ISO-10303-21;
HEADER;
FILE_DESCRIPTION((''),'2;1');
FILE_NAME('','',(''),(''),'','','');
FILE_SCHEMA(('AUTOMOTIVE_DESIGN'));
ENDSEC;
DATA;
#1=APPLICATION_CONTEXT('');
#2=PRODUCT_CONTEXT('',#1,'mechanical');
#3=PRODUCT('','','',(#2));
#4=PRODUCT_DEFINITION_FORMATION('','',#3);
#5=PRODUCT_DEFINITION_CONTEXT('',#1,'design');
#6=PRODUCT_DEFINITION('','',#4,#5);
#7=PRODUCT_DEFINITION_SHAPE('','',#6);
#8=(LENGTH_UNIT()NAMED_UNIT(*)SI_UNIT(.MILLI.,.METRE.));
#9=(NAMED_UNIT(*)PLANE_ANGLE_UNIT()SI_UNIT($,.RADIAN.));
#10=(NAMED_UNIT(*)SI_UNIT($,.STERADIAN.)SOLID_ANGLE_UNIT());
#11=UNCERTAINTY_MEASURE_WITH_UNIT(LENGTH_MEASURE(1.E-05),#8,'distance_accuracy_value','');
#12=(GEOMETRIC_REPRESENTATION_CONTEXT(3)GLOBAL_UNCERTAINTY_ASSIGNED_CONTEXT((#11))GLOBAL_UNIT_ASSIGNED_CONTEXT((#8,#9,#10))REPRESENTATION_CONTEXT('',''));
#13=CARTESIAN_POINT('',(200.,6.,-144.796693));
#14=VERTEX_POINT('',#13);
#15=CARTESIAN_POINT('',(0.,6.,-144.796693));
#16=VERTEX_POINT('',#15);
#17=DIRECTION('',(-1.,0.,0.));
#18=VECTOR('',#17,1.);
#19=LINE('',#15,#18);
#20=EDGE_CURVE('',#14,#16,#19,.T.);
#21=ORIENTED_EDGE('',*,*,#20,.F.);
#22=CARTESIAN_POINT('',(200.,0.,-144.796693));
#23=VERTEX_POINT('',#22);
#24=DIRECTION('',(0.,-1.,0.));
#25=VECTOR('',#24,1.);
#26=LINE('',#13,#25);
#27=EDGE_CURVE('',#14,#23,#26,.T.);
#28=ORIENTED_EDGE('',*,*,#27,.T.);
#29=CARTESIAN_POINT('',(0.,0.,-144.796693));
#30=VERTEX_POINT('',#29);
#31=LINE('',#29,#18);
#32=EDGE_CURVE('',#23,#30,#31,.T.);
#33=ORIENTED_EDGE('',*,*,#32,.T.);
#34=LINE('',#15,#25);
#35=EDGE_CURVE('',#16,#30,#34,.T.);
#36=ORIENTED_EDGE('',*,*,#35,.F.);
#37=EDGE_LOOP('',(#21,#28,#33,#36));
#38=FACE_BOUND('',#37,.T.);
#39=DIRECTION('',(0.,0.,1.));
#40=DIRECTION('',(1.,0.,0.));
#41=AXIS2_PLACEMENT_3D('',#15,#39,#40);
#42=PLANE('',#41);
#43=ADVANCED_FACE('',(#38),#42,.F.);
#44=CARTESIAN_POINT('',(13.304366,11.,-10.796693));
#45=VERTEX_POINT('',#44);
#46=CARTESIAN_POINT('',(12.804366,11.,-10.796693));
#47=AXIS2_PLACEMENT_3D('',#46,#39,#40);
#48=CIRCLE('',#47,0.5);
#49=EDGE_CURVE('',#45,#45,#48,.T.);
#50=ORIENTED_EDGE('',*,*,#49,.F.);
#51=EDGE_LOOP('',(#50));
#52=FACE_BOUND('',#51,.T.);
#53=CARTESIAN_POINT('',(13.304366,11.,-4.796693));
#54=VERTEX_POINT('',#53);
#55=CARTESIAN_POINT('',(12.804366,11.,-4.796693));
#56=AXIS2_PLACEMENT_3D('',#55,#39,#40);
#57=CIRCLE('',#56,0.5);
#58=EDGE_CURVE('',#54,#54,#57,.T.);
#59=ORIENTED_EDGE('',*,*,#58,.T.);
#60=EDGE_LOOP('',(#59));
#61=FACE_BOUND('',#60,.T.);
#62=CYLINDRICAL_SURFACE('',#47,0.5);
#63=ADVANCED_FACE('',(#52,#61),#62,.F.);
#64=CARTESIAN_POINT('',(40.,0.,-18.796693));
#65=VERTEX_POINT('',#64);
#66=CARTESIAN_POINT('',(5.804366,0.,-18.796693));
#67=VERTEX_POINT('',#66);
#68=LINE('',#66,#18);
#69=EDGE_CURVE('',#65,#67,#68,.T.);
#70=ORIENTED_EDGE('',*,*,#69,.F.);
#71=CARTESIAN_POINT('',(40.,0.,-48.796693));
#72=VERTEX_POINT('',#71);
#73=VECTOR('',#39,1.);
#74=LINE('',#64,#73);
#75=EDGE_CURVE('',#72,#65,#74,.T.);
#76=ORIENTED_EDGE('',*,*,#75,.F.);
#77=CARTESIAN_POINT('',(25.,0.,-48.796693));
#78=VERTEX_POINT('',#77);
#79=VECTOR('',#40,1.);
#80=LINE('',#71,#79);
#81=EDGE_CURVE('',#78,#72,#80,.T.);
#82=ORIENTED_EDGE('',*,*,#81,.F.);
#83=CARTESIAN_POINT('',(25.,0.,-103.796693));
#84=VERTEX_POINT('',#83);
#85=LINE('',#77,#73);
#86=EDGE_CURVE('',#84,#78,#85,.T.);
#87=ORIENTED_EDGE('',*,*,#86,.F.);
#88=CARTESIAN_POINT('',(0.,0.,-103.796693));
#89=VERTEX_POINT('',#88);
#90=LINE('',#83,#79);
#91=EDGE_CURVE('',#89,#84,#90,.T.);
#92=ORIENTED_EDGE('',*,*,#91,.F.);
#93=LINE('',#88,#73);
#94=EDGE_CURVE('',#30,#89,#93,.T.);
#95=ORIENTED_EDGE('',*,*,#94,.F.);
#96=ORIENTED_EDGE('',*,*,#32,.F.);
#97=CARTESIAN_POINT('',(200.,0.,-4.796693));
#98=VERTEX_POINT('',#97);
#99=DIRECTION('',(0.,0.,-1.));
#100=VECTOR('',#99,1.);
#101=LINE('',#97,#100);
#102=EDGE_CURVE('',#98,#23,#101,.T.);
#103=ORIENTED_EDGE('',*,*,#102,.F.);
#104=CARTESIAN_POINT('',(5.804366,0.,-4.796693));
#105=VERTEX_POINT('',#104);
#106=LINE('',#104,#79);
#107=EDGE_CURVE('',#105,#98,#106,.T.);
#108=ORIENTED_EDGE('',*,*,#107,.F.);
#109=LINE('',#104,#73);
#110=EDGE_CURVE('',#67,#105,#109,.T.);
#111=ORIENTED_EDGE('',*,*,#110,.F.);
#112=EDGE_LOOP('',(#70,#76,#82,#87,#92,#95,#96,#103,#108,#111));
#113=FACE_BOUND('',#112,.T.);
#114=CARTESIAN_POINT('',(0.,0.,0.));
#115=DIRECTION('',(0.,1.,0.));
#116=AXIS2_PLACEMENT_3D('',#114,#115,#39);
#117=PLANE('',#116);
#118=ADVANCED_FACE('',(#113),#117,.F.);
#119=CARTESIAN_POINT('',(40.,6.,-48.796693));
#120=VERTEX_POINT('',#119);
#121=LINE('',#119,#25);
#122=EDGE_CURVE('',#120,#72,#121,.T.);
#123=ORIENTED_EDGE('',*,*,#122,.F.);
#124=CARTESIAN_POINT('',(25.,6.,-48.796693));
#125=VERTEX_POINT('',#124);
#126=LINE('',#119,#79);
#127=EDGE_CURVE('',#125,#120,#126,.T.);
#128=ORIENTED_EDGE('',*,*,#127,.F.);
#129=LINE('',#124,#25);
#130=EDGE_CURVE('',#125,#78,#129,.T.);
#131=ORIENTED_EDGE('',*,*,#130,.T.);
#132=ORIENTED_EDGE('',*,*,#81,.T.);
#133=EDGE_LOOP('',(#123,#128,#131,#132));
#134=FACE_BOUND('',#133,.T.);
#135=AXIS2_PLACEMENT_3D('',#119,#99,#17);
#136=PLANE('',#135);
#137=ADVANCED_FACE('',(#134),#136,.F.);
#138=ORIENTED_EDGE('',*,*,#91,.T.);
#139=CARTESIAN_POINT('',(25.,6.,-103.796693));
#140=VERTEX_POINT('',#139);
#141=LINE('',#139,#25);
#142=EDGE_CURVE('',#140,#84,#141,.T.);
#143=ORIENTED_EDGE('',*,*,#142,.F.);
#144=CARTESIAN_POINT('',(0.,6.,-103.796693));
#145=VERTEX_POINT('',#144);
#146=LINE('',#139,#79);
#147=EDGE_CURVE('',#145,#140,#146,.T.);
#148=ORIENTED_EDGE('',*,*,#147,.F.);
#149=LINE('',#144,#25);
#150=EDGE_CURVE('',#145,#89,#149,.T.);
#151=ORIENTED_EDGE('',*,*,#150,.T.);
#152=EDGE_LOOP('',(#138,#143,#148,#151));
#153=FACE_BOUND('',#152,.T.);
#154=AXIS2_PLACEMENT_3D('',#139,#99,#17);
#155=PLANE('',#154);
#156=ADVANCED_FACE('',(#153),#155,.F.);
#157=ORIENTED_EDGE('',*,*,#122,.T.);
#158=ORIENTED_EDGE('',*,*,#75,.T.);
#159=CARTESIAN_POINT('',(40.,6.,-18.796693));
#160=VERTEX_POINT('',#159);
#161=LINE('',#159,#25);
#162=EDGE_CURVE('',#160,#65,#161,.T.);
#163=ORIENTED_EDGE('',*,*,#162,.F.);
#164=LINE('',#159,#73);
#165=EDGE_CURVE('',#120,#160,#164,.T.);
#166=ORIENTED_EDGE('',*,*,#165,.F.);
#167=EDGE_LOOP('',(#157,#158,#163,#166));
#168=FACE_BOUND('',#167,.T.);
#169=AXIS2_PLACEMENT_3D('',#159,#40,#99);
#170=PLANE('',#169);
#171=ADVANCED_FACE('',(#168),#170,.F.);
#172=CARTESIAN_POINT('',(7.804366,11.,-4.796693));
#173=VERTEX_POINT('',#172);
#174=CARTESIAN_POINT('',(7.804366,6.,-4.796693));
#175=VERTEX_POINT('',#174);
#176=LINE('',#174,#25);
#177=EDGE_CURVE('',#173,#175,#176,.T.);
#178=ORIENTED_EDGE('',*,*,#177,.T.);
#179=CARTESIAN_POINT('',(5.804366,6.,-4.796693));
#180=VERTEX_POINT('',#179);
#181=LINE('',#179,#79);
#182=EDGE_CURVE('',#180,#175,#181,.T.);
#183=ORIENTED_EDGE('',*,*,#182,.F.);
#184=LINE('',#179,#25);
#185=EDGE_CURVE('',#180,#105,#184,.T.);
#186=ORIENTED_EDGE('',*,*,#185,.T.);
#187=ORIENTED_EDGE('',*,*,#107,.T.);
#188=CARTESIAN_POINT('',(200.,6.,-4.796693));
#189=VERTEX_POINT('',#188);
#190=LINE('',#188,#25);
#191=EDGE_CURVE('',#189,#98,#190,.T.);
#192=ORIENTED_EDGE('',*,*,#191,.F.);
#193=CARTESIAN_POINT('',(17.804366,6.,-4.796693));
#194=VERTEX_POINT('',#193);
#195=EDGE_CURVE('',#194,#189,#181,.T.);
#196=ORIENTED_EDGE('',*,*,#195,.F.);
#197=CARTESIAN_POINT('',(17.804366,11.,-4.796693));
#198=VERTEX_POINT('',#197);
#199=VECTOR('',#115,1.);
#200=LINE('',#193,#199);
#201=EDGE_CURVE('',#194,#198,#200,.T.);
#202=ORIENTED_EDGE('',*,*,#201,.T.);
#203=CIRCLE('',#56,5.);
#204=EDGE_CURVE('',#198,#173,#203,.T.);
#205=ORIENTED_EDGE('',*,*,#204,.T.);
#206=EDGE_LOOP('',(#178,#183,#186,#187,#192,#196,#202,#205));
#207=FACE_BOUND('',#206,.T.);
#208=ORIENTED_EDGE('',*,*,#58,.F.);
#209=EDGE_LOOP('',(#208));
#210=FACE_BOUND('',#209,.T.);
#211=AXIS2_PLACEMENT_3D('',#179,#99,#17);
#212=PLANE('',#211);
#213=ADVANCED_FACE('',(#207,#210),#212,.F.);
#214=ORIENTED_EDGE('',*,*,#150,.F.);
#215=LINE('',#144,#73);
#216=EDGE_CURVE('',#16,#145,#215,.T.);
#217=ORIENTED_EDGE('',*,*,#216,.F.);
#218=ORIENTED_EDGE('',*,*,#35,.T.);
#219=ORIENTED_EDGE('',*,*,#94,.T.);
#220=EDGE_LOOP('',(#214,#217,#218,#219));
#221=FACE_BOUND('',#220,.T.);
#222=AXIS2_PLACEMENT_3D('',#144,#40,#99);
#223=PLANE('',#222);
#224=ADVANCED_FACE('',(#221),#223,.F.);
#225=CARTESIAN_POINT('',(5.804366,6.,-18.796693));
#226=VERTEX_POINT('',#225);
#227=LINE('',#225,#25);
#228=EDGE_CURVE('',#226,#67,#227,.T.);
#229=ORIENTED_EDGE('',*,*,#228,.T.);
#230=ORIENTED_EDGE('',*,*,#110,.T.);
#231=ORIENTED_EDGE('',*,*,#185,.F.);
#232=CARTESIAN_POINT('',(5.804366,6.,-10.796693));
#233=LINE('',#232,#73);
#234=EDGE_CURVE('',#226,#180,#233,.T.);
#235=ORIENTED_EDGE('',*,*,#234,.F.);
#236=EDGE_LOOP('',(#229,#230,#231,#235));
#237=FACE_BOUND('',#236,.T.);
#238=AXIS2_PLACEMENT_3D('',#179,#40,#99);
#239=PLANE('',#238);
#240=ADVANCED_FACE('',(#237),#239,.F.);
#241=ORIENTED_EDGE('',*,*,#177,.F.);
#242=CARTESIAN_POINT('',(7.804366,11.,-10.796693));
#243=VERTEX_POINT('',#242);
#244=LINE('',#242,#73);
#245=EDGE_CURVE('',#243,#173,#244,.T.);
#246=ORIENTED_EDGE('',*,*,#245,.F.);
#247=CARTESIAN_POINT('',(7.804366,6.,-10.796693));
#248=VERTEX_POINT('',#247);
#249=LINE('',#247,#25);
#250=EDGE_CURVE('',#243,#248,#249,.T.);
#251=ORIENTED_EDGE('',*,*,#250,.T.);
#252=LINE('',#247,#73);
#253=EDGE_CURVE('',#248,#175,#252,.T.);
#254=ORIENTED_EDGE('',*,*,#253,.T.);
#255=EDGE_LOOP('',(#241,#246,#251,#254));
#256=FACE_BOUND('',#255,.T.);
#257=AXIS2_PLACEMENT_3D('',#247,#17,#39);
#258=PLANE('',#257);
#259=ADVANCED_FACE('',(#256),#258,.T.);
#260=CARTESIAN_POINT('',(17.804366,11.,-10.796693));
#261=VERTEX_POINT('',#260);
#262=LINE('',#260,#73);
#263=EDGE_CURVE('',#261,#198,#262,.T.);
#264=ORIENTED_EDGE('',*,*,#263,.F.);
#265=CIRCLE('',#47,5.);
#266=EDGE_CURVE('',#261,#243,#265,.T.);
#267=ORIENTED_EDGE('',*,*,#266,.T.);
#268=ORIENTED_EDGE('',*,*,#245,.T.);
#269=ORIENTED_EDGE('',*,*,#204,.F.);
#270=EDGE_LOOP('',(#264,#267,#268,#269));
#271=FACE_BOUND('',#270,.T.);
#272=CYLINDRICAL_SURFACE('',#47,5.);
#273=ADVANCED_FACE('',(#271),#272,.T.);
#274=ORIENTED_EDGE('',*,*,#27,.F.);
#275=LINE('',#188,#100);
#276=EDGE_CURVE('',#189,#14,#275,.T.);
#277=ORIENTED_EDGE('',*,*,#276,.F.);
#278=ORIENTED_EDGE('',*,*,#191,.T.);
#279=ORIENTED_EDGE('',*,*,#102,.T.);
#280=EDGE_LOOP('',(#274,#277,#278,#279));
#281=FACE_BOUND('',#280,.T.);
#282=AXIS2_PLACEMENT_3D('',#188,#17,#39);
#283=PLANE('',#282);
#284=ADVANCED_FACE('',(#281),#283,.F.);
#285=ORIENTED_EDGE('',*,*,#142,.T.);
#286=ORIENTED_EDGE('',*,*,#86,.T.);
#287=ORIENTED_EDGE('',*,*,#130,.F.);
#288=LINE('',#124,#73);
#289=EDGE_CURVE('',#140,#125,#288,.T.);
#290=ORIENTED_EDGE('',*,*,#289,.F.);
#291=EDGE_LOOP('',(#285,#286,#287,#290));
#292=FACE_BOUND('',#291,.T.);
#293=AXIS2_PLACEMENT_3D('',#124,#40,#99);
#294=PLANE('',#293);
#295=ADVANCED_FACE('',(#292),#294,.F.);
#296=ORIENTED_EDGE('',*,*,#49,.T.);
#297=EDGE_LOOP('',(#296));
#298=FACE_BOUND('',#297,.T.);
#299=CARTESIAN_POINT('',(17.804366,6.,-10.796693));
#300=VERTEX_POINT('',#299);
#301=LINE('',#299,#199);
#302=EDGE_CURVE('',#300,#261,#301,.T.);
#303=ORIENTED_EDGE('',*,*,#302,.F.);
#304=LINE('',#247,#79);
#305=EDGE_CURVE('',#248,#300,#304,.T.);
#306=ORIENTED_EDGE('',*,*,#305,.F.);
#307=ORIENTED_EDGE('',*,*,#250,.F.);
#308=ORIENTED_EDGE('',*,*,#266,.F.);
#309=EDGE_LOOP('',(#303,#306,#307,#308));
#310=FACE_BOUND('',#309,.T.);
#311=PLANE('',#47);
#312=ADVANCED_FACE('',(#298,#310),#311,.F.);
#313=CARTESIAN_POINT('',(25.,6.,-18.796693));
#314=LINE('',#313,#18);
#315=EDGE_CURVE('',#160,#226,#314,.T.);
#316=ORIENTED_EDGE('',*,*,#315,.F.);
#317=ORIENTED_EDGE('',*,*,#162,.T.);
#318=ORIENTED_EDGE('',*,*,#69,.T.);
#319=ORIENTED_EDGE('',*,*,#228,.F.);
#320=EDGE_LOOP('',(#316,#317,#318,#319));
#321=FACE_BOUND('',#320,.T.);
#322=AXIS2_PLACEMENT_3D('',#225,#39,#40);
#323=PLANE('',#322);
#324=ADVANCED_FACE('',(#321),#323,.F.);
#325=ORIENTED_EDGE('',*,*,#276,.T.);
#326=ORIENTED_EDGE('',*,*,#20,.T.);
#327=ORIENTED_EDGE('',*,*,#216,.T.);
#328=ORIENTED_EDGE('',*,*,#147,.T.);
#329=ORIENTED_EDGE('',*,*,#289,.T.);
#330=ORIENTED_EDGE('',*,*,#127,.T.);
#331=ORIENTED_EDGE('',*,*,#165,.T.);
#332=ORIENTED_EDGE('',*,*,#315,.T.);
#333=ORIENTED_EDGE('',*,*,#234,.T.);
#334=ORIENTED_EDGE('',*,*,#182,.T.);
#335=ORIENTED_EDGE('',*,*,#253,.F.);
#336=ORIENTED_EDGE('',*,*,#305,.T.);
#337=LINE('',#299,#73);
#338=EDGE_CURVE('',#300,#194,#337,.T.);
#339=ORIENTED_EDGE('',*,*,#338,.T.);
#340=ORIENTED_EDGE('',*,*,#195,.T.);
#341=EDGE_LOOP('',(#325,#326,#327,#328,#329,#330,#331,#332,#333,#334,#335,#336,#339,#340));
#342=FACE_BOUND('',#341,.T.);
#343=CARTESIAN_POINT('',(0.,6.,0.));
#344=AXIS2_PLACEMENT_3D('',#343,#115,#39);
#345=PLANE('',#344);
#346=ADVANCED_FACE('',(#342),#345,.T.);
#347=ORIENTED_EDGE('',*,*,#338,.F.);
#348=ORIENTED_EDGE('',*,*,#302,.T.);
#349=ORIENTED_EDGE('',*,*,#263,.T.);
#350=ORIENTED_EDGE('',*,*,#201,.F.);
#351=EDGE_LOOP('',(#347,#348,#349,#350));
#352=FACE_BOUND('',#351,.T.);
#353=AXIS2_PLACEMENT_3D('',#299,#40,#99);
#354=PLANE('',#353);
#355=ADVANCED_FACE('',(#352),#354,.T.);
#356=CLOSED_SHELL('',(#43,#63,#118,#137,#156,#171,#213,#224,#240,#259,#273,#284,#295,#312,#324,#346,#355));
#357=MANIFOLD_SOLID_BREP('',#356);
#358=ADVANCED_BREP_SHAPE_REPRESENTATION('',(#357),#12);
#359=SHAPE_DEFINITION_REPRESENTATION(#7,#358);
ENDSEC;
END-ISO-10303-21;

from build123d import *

# Parameters (mm, degrees)
BOSS_EXTRUDE1_DEPTH = 6
SKETCH2_R           = 0.5
BOSS_EXTRUDE2_DEPTH = 6


with BuildPart() as part:
    # Sketch1 → Boss-Extrude1 (new body)
    with BuildSketch(Plane(origin=(0, 0, 0), x_dir=(1, 0, 0), z_dir=(0, 1, 0))):
        Polygon((5.804365786, 4.796692747), (5.804365786, 10.796692747), (5.804365786, 18.796692747), (18.804365786, 18.796692747), (25, 18.796692747), (40, 18.796692747), (40, 48.796692747), (25, 48.796692747), (25, 103.796692747), (0, 103.796692747), (0, 144.796692747), (200, 144.796692747), (200, 4.796692747), align=None)
    extrude(amount=BOSS_EXTRUDE1_DEPTH)

    # Sketch2 → Boss-Extrude2 (add)
    with BuildSketch(Plane.XY.offset(-4.796692747)):
        with BuildLine():
            Line((7.804365786, 6), (17.804365786, 6))
            Line((17.804365786, 6), (17.804365786, 11))
            ThreePointArc((17.804365786, 11), (12.804365786, 16), (7.804365786, 11))
            Line((7.804365786, 11), (7.804365786, 6))
        make_face()
        with Locations((12.804365786, 11)):
            Circle(SKETCH2_R, mode=Mode.SUBTRACT)
    extrude(amount=-BOSS_EXTRUDE2_DEPTH)


solid = part.part
